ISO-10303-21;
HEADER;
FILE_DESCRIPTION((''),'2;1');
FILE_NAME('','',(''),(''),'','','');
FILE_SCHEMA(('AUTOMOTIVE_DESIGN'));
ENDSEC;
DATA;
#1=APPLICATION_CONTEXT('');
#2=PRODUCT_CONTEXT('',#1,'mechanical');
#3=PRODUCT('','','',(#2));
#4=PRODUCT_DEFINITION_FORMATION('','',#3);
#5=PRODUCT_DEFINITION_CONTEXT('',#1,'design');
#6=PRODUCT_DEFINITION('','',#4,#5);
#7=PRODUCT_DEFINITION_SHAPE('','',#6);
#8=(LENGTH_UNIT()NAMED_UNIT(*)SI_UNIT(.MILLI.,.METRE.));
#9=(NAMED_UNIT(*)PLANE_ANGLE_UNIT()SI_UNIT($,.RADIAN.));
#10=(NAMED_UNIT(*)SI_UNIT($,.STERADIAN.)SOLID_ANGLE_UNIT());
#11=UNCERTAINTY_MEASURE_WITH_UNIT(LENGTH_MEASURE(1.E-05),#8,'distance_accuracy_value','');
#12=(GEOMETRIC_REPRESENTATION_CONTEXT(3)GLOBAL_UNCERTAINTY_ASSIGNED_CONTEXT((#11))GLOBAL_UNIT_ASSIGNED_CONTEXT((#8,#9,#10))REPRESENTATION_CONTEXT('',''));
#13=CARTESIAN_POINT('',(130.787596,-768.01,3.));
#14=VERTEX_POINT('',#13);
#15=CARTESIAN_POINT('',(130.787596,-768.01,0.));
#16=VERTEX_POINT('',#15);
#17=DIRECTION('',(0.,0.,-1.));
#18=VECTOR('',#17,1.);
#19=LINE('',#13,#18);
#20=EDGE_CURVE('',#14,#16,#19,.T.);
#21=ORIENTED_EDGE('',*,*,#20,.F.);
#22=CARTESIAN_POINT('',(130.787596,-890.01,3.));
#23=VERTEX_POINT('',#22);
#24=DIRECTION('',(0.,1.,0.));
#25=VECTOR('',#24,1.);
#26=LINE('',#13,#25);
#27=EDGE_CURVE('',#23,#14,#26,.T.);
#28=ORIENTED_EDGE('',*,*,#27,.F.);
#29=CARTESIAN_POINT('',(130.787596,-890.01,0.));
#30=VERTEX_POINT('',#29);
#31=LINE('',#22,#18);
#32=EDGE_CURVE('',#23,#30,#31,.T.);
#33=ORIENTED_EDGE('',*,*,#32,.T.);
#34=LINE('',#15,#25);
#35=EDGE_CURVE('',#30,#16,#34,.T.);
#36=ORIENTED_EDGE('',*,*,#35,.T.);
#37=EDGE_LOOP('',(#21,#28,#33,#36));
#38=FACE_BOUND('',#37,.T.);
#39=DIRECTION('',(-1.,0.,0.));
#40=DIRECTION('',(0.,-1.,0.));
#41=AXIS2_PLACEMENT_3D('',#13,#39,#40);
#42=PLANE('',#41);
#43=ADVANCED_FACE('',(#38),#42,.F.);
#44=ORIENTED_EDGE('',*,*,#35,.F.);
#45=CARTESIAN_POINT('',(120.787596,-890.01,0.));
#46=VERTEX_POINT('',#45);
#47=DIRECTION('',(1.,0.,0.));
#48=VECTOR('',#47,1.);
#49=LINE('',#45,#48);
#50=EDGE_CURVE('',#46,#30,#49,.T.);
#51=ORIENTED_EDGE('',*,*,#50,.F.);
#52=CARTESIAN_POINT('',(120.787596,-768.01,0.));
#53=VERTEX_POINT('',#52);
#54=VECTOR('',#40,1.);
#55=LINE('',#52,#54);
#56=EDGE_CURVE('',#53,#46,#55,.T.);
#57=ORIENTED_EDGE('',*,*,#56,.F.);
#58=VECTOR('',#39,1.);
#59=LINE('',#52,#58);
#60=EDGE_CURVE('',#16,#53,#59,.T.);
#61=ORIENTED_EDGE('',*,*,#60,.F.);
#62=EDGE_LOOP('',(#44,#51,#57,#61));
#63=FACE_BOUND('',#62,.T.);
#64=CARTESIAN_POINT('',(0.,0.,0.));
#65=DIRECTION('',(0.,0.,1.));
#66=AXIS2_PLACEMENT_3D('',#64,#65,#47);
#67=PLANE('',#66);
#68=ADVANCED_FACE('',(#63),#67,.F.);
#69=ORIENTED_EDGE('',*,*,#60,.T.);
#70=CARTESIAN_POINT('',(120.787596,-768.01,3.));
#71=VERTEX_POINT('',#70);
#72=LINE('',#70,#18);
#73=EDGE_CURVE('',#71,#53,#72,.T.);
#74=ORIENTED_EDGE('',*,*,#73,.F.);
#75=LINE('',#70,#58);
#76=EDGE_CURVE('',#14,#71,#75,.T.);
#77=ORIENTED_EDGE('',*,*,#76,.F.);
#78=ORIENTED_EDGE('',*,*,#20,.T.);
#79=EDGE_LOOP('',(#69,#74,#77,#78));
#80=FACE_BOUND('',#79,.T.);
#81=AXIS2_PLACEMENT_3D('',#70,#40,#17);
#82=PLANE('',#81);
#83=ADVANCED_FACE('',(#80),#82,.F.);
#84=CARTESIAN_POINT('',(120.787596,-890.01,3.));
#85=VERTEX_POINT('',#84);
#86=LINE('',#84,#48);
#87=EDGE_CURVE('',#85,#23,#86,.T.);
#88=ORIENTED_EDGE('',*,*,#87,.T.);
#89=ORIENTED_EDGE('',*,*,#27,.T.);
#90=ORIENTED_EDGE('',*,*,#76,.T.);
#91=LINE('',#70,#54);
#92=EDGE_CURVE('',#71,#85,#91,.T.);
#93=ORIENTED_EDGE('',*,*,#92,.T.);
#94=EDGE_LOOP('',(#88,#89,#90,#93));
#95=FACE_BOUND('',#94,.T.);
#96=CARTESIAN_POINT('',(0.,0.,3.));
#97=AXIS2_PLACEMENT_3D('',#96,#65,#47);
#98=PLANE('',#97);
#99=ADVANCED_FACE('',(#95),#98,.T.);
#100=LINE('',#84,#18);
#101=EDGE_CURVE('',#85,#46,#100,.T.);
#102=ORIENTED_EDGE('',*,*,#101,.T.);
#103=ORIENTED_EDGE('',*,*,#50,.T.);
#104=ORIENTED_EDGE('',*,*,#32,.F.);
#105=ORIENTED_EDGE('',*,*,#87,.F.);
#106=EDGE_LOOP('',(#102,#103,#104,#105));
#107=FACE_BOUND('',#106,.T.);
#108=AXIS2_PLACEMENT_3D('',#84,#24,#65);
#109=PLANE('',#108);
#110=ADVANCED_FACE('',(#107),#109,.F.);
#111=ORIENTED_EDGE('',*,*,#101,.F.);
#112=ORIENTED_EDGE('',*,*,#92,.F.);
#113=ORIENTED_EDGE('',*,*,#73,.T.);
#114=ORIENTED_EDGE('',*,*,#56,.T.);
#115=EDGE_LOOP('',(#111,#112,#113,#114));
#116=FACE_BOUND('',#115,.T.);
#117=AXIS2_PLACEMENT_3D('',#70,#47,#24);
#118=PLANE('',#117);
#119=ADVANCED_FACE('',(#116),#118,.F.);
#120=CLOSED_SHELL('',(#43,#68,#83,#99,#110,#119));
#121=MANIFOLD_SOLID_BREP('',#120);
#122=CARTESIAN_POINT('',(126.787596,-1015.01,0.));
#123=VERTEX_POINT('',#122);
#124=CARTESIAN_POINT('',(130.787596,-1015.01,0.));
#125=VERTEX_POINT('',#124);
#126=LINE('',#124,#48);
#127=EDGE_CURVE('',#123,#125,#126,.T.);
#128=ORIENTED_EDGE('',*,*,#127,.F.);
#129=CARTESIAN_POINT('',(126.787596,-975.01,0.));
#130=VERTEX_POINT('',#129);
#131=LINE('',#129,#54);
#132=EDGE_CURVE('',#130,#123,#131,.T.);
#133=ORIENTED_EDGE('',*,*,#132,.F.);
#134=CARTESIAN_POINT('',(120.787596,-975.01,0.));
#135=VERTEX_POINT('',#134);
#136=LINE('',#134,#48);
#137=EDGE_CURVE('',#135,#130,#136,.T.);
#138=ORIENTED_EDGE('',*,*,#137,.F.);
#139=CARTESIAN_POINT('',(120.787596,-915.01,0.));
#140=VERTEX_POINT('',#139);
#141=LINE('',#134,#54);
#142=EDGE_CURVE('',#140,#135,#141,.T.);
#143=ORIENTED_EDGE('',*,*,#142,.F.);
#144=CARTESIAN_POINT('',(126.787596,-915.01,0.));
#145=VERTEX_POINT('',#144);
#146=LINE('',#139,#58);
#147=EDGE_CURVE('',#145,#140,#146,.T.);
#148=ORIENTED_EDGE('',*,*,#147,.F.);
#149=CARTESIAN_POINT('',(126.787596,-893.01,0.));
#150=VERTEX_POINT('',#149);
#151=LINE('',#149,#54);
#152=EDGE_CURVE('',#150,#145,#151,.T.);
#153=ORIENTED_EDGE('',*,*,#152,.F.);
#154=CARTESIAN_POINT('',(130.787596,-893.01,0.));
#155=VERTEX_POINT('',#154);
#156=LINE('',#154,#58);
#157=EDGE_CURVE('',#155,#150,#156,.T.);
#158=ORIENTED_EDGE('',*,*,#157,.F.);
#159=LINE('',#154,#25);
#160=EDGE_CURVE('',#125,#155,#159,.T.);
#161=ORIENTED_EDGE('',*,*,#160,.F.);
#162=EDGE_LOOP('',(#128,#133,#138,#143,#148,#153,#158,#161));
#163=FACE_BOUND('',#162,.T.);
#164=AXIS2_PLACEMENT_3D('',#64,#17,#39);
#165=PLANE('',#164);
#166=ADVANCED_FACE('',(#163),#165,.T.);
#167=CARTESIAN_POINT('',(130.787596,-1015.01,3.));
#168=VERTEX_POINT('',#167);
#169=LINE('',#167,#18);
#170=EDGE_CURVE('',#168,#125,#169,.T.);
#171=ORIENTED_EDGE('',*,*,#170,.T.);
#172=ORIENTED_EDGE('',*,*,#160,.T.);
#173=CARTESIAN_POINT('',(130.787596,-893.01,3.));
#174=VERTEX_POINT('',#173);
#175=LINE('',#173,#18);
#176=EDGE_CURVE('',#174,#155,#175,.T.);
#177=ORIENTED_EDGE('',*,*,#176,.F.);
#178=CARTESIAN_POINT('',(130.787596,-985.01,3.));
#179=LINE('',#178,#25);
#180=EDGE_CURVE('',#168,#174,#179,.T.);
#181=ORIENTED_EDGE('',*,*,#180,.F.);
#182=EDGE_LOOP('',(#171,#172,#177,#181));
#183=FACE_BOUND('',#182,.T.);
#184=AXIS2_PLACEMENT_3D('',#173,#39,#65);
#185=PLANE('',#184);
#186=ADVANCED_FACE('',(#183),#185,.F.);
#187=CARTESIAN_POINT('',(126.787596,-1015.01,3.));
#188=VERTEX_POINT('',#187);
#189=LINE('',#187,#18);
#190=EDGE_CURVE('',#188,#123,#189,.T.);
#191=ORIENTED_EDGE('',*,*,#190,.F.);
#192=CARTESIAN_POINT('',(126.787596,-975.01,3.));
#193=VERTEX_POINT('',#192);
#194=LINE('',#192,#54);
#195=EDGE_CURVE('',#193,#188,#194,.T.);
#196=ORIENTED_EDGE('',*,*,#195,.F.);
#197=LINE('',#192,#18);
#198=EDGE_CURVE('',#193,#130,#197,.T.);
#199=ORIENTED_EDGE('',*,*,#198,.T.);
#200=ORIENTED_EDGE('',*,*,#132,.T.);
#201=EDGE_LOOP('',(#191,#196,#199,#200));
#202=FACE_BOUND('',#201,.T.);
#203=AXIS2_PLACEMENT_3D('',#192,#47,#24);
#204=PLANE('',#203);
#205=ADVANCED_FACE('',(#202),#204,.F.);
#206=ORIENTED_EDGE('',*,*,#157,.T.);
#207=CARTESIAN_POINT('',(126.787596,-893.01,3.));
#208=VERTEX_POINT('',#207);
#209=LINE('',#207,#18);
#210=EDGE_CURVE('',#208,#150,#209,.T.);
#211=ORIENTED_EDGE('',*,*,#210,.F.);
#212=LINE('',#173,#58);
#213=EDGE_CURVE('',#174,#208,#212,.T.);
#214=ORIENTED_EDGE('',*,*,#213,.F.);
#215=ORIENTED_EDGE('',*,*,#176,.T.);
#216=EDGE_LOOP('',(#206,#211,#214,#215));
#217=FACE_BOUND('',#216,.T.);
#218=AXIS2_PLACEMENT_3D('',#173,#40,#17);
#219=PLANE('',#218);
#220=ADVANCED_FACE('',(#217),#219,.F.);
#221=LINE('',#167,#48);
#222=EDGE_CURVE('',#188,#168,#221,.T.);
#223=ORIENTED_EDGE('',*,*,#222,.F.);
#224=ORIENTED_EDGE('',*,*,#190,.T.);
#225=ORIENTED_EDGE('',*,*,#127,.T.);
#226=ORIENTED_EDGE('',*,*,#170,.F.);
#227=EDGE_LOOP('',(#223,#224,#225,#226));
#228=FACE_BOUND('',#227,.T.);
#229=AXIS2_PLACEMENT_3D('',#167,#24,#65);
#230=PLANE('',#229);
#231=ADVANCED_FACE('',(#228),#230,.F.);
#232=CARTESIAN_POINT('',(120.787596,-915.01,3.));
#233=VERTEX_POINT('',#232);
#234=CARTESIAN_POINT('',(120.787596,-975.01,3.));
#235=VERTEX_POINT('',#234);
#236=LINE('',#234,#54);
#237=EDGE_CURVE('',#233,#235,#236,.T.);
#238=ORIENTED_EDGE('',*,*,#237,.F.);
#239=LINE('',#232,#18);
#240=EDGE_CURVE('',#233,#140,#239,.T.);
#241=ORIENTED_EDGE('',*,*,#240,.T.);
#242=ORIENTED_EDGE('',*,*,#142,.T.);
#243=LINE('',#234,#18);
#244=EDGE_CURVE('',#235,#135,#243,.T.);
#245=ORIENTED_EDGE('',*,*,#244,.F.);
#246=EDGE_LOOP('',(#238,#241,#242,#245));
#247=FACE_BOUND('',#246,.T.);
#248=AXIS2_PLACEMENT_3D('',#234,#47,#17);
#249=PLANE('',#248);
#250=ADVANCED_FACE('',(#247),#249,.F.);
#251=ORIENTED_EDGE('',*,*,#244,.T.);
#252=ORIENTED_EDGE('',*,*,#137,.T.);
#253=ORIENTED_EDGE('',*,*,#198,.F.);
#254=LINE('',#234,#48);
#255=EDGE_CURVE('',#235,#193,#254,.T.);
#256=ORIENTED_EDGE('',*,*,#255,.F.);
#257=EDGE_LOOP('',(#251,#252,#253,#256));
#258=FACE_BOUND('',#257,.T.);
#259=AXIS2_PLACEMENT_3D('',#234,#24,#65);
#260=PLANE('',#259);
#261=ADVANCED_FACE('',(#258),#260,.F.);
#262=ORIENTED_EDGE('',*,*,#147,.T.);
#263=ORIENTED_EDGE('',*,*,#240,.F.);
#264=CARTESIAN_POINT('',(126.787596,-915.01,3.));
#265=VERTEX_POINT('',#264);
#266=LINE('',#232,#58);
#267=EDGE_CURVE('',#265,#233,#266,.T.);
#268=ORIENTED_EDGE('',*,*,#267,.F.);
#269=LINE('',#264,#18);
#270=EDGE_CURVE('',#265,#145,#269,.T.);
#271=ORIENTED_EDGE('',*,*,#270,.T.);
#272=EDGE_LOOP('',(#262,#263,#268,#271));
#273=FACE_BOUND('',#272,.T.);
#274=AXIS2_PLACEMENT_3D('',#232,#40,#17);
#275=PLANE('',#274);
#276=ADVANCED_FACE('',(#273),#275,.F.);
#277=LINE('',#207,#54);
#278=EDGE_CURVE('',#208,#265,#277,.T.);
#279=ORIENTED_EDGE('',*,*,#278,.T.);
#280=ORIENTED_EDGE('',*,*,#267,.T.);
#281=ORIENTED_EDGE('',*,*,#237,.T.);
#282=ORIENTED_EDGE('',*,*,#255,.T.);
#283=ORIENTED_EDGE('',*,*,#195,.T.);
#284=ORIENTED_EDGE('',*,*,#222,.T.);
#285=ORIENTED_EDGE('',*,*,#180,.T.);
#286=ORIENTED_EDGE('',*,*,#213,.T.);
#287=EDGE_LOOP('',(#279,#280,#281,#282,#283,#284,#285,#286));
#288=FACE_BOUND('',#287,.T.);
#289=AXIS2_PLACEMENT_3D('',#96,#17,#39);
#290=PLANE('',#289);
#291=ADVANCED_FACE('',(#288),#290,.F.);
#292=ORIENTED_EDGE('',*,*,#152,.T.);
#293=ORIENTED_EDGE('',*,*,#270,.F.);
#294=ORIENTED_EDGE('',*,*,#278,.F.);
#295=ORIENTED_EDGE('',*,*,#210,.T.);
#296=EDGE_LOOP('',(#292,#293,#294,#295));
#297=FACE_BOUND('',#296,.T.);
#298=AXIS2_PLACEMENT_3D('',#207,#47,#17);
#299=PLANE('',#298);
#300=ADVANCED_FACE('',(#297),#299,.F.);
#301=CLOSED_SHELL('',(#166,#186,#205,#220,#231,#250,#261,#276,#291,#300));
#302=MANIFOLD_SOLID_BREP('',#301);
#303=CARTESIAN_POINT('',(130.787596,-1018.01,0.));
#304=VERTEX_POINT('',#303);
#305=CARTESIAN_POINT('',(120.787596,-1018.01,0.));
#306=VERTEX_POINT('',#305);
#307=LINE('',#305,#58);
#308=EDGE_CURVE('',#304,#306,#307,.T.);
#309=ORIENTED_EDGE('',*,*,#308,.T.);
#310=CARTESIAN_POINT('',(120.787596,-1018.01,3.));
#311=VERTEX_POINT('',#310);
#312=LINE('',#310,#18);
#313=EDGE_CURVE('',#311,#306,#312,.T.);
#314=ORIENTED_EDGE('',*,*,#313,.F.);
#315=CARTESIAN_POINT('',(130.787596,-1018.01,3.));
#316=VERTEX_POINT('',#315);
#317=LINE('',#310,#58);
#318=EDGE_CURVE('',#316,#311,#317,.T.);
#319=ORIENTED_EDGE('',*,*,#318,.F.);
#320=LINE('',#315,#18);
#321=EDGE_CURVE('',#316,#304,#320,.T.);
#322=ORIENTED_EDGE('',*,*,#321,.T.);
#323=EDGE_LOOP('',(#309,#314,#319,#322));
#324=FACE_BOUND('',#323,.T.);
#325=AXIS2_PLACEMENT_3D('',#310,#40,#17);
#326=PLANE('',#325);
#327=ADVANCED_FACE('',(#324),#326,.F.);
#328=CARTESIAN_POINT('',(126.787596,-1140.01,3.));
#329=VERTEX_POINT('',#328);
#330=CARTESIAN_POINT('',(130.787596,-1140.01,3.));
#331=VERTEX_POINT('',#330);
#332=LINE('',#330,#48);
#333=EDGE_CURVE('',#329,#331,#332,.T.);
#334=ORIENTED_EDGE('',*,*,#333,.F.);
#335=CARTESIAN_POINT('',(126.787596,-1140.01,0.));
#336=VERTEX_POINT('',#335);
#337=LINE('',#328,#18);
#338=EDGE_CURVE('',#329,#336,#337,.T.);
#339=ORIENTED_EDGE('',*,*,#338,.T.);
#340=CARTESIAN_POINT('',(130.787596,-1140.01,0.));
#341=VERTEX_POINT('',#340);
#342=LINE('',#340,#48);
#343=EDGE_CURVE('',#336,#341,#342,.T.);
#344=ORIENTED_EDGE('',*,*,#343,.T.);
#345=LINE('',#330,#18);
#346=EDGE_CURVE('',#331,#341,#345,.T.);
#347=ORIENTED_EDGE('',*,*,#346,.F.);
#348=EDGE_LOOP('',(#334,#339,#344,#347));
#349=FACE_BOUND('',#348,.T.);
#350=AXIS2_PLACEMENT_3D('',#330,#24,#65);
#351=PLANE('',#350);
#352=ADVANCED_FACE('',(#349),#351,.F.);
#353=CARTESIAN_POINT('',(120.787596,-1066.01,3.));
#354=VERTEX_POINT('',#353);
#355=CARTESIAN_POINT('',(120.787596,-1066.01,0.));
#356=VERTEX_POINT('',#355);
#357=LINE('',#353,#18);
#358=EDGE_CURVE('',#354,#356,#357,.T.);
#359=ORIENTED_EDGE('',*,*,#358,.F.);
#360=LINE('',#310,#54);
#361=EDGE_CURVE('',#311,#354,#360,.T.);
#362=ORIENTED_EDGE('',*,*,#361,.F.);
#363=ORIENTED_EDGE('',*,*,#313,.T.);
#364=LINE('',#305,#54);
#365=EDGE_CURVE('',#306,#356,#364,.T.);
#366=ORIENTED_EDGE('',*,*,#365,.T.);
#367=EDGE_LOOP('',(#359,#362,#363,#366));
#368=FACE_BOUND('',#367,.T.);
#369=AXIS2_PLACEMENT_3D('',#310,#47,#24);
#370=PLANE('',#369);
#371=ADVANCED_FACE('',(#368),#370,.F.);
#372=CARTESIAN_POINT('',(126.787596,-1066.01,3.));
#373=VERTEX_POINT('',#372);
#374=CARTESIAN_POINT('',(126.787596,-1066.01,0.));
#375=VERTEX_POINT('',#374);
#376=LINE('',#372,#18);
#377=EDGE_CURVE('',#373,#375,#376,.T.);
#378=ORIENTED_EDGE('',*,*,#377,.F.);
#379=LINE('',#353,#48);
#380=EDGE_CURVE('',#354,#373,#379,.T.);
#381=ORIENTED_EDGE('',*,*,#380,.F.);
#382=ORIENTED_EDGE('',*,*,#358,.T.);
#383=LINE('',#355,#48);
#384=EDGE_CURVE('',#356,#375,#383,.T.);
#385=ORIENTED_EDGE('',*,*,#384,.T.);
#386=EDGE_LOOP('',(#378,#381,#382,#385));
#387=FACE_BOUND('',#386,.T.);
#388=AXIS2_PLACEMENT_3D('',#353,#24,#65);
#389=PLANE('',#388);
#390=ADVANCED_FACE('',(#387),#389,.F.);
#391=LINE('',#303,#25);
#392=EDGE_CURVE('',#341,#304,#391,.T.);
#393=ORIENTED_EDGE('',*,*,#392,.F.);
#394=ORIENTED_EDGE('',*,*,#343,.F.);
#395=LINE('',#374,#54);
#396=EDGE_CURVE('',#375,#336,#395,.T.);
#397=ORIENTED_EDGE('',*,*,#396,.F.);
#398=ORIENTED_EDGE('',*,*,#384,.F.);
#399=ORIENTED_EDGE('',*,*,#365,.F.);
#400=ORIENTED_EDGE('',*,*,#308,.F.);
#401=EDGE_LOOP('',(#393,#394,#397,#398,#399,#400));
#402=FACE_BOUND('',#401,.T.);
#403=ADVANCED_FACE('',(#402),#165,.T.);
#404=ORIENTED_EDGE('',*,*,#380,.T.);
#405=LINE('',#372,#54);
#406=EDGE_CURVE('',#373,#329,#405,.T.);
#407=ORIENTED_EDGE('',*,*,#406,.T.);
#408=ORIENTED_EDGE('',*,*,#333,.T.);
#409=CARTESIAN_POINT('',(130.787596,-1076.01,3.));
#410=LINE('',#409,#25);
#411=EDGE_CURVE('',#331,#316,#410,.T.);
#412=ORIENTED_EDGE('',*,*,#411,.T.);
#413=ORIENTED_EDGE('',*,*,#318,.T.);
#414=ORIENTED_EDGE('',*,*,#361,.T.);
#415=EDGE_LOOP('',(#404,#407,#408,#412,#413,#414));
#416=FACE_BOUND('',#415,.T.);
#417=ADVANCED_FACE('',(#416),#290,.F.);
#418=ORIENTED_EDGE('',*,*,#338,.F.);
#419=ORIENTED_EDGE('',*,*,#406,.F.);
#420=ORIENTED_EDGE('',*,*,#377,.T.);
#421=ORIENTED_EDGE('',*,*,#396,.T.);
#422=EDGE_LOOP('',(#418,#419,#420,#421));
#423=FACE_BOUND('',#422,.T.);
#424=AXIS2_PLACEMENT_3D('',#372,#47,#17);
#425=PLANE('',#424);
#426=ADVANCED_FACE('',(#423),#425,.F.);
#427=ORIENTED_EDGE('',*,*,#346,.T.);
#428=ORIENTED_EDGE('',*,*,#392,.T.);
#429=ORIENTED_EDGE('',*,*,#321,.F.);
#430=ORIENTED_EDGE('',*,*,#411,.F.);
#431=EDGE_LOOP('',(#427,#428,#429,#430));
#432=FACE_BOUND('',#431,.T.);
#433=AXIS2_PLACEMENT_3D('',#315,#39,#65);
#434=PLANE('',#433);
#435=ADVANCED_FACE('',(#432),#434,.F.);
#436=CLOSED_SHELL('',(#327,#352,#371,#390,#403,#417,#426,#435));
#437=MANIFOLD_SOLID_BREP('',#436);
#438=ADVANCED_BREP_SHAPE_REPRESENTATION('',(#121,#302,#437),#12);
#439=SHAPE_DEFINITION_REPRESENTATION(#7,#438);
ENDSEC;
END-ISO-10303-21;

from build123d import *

# Parameters (mm, degrees)
SKETCH_1_W        = 10
SKETCH_1_H        = 122
EXTRUDE_1_DEPTH   = 3
EXTRUDE_1_2_DEPTH = 3
EXTRUDE_1_3_DEPTH = 3


with BuildPart() as part:
    # 草图1 → 凸台-拉伸1 (new body)
    with BuildSketch(Plane.XY):
        with Locations((125.787596038, -829.01)):
            Rectangle(SKETCH_1_W, SKETCH_1_H)
    extrude(amount=EXTRUDE_1_DEPTH)


with BuildPart() as body_2:
    # 草图1 → Extrude 1 2 (new body)
    with BuildSketch(Plane.XY):
        Polygon((120.787596038, -975.01), (126.787596038, -975.01), (126.787596038, -1015.01), (130.787596038, -1015.01), (130.787596038, -985.01), (130.787596038, -925.01), (130.787596038, -893.01), (126.787596038, -893.01), (126.787596038, -915.01), (120.787596038, -915.01), align=None)
    extrude(amount=EXTRUDE_1_2_DEPTH)


with BuildPart() as body_3:
    # 草图1 → Extrude 1 3 (new body)
    with BuildSketch(Plane.XY):
        Polygon((120.787596038, -1018.01), (130.787596038, -1018.01), (130.787596038, -1076.01), (130.787596038, -1140.01), (126.787596038, -1140.01), (126.787596038, -1066.01), (120.787596038, -1066.01), align=None)
    extrude(amount=EXTRUDE_1_3_DEPTH)


solid = Compound([part.part, body_2.part, body_3.part])
